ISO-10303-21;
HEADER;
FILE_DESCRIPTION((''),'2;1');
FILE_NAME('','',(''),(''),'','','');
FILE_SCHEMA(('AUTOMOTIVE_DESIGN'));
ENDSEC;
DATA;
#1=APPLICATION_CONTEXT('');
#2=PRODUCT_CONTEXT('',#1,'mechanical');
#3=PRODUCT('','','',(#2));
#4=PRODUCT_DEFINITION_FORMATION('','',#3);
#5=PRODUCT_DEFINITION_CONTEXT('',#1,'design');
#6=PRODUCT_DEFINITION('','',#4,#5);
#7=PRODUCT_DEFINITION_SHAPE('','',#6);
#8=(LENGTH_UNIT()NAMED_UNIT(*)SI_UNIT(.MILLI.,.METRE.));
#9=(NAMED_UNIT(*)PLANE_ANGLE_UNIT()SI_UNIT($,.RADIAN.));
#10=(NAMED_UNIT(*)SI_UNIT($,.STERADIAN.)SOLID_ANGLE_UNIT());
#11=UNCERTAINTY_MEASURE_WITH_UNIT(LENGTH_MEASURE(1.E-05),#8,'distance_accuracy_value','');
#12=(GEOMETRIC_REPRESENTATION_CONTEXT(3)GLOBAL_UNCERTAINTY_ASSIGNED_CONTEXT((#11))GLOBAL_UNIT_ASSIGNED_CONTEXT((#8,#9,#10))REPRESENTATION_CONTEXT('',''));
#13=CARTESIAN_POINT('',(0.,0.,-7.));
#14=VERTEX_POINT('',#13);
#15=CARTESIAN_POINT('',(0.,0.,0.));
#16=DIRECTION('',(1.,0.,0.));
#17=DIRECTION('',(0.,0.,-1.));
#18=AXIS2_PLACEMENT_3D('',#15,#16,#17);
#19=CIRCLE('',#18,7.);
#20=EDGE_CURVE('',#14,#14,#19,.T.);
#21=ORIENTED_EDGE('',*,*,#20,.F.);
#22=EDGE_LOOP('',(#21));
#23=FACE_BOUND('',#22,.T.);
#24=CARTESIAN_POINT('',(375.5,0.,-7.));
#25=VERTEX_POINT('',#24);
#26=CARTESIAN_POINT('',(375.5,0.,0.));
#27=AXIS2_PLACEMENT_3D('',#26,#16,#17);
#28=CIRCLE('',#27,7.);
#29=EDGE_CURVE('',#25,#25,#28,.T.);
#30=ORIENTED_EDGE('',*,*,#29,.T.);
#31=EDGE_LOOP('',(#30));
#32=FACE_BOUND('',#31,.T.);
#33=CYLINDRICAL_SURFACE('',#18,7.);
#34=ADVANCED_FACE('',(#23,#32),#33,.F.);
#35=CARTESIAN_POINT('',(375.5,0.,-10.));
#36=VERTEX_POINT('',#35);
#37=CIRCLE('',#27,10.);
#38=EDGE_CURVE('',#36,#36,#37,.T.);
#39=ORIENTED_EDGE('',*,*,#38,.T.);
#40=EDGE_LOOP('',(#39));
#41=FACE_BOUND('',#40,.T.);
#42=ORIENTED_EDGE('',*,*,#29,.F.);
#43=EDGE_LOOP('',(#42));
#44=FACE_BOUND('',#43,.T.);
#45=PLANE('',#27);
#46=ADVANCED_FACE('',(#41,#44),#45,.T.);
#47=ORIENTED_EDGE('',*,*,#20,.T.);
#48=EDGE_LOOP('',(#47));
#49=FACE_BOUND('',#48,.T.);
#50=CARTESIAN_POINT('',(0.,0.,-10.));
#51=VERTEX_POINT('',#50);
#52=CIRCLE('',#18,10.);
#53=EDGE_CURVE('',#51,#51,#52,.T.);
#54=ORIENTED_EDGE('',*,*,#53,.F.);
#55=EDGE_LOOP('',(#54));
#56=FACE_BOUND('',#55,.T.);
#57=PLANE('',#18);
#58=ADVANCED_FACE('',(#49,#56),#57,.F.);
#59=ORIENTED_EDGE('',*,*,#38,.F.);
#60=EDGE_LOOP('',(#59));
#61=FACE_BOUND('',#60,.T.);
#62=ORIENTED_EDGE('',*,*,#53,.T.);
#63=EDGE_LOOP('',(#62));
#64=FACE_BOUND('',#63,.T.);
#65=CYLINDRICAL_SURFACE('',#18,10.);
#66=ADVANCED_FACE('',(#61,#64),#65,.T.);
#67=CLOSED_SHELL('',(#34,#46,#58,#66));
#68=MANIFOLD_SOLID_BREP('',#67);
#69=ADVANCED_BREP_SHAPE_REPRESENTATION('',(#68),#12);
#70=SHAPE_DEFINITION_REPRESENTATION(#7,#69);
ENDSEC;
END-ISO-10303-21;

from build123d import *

# Parameters (mm, degrees)
SWEEP_THIN1_PROFILE_R   = 10
SWEEP_THIN1_PROFILE_R_2 = 7


with BuildPart() as part:
    # Sweep-Thin1: sweep along a path in Sketch1
    with BuildLine(Plane(origin=(0, 0, 0), x_dir=(1, 0, 0), z_dir=(0, 1, 0))) as sweep_thin1_path:
        Line((0, 0), (375.5, 0))
    # Sweep-Thin1 profile (on start of the path) → Sweep-Thin1 (sweep)
    with BuildSketch(Plane(origin=(0, 0, 0), x_dir=(0, 0, 1), z_dir=(1, 0, 0))):
        Circle(SWEEP_THIN1_PROFILE_R)
        Circle(SWEEP_THIN1_PROFILE_R_2, mode=Mode.SUBTRACT)
    sweep(path=sweep_thin1_path.line)


solid = part.part
